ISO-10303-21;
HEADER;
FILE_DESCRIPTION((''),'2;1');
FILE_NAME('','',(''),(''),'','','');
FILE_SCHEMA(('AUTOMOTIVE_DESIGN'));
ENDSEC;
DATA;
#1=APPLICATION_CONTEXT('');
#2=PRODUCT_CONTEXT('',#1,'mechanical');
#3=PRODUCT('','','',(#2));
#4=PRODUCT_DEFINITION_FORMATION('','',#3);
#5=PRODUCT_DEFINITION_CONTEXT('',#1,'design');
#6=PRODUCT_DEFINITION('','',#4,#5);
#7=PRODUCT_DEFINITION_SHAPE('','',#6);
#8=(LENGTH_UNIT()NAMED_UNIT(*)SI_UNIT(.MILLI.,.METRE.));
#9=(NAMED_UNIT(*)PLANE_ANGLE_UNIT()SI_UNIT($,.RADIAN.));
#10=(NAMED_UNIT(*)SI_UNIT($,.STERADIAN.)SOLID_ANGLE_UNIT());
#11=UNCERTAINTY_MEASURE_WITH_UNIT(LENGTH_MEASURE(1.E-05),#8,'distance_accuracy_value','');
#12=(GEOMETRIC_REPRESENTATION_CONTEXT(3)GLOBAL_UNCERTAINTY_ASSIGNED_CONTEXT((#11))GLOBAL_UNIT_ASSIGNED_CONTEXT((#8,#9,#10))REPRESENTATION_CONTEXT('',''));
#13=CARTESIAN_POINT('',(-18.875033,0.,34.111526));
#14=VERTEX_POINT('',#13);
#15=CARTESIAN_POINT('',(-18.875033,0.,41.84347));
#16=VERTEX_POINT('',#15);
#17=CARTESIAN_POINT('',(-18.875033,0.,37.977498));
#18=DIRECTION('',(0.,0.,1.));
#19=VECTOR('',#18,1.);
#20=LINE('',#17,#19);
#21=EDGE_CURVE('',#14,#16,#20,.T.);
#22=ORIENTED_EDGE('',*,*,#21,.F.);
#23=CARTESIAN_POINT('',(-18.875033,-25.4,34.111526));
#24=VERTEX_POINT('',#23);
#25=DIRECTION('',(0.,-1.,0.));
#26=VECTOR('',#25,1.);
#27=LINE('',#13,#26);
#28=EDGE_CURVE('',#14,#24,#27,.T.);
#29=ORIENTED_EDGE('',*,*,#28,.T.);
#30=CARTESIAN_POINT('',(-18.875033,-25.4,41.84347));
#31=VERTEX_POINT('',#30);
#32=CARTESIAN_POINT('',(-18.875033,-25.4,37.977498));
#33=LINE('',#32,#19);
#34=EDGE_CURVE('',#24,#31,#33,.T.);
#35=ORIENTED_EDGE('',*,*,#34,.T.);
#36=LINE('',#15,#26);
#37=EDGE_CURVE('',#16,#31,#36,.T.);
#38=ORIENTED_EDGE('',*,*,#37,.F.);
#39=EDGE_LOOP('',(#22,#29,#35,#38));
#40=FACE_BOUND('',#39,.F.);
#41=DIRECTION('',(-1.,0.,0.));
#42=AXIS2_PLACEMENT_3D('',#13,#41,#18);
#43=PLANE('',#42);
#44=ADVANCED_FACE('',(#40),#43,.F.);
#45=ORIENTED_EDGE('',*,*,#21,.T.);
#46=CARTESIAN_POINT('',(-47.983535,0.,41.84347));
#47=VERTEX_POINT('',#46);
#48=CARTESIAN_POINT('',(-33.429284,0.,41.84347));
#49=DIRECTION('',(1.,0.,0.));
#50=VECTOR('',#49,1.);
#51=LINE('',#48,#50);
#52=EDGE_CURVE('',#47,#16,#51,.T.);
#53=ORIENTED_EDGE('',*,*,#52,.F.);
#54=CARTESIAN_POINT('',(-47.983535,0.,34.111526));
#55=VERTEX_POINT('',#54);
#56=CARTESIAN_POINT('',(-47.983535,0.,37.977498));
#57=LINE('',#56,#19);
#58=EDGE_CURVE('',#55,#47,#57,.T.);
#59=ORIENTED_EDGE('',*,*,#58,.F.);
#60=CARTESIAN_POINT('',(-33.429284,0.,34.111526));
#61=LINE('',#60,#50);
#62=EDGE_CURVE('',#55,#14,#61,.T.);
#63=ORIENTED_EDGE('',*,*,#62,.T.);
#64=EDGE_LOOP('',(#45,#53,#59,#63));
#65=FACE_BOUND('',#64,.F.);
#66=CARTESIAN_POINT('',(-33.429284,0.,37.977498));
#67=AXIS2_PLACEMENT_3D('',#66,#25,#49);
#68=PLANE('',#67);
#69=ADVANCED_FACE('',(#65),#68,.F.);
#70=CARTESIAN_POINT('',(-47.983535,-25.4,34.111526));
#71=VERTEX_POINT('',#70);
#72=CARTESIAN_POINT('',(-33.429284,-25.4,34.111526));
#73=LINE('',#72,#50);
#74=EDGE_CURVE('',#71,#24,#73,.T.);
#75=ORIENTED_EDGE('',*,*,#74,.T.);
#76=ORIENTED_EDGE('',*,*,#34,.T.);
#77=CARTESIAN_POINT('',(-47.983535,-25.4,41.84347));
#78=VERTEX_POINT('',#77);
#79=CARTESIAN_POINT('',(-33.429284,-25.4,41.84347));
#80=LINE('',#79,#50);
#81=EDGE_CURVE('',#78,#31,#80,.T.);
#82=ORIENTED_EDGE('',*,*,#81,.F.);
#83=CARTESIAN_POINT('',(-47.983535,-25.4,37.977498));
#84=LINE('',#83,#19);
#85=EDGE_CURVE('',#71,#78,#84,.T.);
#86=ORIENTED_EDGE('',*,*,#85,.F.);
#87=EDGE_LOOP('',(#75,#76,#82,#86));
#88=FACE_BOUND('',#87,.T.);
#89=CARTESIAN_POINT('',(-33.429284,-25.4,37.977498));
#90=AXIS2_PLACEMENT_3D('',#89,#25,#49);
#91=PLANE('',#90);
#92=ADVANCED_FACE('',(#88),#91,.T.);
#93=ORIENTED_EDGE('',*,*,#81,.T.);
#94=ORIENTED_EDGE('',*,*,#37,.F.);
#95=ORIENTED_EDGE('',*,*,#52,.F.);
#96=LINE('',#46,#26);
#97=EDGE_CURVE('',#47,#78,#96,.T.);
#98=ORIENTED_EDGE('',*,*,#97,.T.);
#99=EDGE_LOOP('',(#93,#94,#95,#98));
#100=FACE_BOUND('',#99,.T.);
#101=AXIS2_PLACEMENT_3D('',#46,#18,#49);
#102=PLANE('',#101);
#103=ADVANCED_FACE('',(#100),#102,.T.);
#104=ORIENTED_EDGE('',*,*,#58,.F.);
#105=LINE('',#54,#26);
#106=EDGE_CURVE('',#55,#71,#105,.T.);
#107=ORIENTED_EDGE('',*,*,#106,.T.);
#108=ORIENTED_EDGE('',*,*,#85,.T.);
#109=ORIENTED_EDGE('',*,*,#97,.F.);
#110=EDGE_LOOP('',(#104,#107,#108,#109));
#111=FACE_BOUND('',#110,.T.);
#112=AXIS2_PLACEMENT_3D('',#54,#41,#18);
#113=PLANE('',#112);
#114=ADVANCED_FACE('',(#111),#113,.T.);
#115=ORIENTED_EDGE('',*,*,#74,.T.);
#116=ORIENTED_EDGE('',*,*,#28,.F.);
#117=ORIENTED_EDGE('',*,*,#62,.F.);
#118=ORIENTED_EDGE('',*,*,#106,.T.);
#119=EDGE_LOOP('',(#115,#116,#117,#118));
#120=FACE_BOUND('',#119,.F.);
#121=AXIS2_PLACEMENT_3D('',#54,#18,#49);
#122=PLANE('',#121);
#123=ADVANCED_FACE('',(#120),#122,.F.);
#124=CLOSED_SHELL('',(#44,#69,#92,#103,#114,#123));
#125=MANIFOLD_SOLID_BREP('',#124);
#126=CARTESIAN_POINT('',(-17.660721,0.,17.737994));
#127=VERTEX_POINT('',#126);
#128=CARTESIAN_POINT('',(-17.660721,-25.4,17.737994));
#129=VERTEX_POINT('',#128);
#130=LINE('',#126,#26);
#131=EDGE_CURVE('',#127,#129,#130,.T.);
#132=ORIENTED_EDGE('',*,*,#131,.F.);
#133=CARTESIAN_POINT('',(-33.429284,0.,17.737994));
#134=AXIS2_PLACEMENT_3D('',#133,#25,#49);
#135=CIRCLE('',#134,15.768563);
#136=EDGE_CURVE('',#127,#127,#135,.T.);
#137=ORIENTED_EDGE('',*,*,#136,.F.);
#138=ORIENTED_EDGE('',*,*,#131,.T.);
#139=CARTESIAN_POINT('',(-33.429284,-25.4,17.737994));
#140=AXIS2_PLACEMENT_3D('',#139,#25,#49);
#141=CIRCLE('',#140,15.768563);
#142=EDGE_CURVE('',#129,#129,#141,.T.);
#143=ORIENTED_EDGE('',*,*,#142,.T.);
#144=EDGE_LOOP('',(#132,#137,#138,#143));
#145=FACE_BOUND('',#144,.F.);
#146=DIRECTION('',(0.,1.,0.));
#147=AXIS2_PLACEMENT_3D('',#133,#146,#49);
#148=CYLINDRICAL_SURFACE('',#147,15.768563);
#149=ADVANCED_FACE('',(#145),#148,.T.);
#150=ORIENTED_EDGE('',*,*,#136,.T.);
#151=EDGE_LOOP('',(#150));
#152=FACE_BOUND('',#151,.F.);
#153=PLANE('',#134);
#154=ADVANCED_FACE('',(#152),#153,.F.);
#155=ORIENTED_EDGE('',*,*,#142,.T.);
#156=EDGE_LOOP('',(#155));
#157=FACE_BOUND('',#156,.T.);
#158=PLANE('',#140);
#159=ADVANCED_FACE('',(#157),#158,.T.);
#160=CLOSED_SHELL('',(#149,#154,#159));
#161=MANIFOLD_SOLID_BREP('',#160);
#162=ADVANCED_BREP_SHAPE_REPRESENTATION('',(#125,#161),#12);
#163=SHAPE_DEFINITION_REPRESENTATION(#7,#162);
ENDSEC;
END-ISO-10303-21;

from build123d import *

# Parameters (mm, degrees)
F0_R     = 15.768563
F0_W     = 29.108502
F0_H     = 7.731944
F1_DEPTH = 25.4


with BuildPart() as f1:
    # F0 (on Front) → F1 (new body)
    with BuildSketch(Plane.XZ):
        with Locations((-33.429284, 17.737994)):
            Circle(F0_R)
        with Locations((-33.429284, 37.977498)):
            Rectangle(F0_W, F0_H)
    extrude(amount=F1_DEPTH)


solid = f1.part
